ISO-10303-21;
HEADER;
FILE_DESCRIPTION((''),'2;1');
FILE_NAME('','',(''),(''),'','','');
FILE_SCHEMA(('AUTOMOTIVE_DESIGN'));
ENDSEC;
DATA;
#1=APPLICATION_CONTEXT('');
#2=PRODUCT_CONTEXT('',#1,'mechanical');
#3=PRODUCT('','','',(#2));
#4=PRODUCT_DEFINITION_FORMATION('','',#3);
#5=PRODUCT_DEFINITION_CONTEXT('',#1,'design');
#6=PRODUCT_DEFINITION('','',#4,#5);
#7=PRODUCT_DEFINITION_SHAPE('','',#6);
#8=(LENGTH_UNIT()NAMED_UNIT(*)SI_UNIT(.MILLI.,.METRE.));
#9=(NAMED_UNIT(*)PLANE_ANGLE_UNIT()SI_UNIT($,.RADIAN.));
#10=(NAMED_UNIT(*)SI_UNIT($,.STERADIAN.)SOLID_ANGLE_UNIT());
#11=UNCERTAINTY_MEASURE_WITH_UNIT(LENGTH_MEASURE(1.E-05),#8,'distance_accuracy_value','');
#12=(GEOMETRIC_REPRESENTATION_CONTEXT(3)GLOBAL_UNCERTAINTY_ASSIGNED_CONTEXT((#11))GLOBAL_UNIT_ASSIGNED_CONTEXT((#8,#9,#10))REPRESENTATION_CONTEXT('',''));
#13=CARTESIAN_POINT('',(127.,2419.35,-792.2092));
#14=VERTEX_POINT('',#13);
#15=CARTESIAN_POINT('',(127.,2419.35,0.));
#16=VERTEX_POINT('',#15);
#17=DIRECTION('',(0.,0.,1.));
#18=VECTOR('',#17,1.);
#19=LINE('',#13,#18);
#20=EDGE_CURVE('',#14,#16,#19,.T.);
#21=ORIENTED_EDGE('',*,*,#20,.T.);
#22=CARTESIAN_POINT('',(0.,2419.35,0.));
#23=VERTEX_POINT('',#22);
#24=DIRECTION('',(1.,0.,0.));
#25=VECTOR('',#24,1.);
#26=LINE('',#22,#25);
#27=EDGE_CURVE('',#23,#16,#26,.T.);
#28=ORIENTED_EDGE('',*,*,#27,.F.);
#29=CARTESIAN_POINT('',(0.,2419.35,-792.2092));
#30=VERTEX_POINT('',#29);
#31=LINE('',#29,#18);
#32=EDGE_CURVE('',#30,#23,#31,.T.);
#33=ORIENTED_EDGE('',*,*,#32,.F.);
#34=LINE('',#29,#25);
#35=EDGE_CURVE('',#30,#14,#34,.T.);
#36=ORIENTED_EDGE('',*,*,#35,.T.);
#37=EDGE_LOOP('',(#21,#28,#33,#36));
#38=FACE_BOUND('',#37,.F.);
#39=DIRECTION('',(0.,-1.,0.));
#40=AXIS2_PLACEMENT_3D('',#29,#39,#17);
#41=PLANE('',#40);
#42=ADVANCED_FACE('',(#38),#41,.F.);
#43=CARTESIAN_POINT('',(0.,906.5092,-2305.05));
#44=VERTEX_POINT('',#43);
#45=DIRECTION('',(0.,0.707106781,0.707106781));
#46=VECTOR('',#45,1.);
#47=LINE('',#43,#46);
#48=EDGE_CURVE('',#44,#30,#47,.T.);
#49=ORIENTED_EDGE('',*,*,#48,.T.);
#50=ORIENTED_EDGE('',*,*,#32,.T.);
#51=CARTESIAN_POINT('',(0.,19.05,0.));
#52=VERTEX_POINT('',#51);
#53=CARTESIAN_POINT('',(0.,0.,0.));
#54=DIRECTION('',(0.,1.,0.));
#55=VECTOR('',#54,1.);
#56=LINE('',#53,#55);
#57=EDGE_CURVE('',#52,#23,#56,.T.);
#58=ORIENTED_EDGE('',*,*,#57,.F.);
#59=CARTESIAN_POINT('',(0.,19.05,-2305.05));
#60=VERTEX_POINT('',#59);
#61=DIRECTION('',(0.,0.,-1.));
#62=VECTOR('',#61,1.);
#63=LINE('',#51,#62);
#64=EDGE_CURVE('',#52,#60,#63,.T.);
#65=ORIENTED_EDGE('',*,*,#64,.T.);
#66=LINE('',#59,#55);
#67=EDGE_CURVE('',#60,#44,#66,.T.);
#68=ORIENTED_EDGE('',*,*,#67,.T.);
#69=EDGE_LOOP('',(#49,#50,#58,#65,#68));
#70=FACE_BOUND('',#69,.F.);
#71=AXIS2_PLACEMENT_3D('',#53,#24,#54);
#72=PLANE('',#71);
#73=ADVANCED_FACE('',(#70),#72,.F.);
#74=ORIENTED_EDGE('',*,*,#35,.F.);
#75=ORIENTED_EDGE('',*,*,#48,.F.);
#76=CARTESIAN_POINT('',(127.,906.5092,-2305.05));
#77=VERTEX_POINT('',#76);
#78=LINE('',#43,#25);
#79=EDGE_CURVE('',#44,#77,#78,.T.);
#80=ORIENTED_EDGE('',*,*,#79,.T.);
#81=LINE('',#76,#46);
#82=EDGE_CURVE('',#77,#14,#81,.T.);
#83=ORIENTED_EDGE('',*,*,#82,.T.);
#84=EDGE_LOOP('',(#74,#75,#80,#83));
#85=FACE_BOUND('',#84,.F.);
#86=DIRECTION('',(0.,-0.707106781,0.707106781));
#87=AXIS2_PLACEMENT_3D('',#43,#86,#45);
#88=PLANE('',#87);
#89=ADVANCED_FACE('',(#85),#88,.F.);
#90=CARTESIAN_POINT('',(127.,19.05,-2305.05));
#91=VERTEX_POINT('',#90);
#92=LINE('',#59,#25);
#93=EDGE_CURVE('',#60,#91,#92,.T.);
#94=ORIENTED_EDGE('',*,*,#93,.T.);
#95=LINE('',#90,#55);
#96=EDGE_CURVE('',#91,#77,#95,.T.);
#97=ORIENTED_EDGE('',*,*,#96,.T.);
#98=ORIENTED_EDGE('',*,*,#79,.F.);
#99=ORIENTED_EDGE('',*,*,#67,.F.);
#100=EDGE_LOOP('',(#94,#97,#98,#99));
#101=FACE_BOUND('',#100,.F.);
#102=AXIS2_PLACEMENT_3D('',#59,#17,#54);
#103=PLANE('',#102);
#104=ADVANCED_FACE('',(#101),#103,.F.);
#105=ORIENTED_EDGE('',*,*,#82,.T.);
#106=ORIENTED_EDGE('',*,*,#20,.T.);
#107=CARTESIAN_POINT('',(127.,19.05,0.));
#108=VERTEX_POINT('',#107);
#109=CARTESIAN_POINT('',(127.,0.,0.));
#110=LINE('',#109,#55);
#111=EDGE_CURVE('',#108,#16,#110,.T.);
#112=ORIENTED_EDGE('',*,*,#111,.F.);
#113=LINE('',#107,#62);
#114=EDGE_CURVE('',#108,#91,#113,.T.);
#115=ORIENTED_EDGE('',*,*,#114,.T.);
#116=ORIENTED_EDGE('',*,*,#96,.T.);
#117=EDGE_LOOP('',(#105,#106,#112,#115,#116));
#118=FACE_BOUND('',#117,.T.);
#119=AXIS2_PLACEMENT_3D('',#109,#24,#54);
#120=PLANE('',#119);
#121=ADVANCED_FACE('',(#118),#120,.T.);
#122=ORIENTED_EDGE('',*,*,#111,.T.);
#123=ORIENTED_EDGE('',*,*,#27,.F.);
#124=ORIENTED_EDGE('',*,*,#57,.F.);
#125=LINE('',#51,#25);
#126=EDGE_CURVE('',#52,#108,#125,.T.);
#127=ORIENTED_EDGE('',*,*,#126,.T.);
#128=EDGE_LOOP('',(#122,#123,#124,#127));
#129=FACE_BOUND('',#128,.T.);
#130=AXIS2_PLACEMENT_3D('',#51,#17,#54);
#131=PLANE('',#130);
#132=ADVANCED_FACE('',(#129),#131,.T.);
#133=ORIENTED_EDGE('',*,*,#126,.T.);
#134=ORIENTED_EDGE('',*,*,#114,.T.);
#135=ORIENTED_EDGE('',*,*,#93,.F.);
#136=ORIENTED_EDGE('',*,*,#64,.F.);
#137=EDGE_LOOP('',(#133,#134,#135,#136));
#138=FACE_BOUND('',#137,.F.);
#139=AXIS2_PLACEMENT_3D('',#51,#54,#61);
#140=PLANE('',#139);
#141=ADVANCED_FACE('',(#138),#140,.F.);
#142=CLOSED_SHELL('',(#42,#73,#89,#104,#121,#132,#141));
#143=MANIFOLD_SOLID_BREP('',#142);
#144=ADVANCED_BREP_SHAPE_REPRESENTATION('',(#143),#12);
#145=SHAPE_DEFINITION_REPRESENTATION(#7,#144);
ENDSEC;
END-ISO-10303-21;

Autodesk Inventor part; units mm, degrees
ref_plane "YZ Plane" through (0, 0, 0) normal (1, 0, 0) x (0, 1, 0)
ref_plane "XZ Plane" through (0, 0, 0) normal (0, 1, 0) x (-1, 0, 0)
ref_plane "XY Plane" through (0, 0, 0) normal (0, 0, 1) x (1, 0, 0)
sketch "Sketch1" plane through (0, 0, 0) normal (1, 0, 0) x (0, 1, 0)
  line L0 (0, 0) -> (2438.4, 0)
  line L1 (2438.4, 0) -> (2438.4, -800.1)
  line L2 (2438.4, -800.1) -> (914.4, -2324.1)
  line L3 (914.4, -2324.1) -> (0, -2324.1)
  line L4 (0, -2324.1) -> (0, 0)
  line L5 (2419.35, -792.2092) -> (2419.35, 0)
  line L6 (19.05, 0) -> (19.05, -2305.05)
  line L7 (19.05, -2305.05) -> (906.5092, -2305.05)
  line L8 (906.5092, -2305.05) -> (2419.35, -792.2092)
  dimension "d0" = 2324.1
  dimension "d1" = 2438.4
  dimension "d2" = 914.4
  dimension "d3" = 135
  dimension "d6" = 19.05
  dimension "d7" = 19.05
  dimension "d8" = 19.05
extrude "Extrusion1" add sketch "Sketch1" along normal blind 127 contours L0 L5 L8 L7 L6
properties part number "Wall_Between_Attic_Room_And_Stairwell" material "Wood (Southern Pine)"
